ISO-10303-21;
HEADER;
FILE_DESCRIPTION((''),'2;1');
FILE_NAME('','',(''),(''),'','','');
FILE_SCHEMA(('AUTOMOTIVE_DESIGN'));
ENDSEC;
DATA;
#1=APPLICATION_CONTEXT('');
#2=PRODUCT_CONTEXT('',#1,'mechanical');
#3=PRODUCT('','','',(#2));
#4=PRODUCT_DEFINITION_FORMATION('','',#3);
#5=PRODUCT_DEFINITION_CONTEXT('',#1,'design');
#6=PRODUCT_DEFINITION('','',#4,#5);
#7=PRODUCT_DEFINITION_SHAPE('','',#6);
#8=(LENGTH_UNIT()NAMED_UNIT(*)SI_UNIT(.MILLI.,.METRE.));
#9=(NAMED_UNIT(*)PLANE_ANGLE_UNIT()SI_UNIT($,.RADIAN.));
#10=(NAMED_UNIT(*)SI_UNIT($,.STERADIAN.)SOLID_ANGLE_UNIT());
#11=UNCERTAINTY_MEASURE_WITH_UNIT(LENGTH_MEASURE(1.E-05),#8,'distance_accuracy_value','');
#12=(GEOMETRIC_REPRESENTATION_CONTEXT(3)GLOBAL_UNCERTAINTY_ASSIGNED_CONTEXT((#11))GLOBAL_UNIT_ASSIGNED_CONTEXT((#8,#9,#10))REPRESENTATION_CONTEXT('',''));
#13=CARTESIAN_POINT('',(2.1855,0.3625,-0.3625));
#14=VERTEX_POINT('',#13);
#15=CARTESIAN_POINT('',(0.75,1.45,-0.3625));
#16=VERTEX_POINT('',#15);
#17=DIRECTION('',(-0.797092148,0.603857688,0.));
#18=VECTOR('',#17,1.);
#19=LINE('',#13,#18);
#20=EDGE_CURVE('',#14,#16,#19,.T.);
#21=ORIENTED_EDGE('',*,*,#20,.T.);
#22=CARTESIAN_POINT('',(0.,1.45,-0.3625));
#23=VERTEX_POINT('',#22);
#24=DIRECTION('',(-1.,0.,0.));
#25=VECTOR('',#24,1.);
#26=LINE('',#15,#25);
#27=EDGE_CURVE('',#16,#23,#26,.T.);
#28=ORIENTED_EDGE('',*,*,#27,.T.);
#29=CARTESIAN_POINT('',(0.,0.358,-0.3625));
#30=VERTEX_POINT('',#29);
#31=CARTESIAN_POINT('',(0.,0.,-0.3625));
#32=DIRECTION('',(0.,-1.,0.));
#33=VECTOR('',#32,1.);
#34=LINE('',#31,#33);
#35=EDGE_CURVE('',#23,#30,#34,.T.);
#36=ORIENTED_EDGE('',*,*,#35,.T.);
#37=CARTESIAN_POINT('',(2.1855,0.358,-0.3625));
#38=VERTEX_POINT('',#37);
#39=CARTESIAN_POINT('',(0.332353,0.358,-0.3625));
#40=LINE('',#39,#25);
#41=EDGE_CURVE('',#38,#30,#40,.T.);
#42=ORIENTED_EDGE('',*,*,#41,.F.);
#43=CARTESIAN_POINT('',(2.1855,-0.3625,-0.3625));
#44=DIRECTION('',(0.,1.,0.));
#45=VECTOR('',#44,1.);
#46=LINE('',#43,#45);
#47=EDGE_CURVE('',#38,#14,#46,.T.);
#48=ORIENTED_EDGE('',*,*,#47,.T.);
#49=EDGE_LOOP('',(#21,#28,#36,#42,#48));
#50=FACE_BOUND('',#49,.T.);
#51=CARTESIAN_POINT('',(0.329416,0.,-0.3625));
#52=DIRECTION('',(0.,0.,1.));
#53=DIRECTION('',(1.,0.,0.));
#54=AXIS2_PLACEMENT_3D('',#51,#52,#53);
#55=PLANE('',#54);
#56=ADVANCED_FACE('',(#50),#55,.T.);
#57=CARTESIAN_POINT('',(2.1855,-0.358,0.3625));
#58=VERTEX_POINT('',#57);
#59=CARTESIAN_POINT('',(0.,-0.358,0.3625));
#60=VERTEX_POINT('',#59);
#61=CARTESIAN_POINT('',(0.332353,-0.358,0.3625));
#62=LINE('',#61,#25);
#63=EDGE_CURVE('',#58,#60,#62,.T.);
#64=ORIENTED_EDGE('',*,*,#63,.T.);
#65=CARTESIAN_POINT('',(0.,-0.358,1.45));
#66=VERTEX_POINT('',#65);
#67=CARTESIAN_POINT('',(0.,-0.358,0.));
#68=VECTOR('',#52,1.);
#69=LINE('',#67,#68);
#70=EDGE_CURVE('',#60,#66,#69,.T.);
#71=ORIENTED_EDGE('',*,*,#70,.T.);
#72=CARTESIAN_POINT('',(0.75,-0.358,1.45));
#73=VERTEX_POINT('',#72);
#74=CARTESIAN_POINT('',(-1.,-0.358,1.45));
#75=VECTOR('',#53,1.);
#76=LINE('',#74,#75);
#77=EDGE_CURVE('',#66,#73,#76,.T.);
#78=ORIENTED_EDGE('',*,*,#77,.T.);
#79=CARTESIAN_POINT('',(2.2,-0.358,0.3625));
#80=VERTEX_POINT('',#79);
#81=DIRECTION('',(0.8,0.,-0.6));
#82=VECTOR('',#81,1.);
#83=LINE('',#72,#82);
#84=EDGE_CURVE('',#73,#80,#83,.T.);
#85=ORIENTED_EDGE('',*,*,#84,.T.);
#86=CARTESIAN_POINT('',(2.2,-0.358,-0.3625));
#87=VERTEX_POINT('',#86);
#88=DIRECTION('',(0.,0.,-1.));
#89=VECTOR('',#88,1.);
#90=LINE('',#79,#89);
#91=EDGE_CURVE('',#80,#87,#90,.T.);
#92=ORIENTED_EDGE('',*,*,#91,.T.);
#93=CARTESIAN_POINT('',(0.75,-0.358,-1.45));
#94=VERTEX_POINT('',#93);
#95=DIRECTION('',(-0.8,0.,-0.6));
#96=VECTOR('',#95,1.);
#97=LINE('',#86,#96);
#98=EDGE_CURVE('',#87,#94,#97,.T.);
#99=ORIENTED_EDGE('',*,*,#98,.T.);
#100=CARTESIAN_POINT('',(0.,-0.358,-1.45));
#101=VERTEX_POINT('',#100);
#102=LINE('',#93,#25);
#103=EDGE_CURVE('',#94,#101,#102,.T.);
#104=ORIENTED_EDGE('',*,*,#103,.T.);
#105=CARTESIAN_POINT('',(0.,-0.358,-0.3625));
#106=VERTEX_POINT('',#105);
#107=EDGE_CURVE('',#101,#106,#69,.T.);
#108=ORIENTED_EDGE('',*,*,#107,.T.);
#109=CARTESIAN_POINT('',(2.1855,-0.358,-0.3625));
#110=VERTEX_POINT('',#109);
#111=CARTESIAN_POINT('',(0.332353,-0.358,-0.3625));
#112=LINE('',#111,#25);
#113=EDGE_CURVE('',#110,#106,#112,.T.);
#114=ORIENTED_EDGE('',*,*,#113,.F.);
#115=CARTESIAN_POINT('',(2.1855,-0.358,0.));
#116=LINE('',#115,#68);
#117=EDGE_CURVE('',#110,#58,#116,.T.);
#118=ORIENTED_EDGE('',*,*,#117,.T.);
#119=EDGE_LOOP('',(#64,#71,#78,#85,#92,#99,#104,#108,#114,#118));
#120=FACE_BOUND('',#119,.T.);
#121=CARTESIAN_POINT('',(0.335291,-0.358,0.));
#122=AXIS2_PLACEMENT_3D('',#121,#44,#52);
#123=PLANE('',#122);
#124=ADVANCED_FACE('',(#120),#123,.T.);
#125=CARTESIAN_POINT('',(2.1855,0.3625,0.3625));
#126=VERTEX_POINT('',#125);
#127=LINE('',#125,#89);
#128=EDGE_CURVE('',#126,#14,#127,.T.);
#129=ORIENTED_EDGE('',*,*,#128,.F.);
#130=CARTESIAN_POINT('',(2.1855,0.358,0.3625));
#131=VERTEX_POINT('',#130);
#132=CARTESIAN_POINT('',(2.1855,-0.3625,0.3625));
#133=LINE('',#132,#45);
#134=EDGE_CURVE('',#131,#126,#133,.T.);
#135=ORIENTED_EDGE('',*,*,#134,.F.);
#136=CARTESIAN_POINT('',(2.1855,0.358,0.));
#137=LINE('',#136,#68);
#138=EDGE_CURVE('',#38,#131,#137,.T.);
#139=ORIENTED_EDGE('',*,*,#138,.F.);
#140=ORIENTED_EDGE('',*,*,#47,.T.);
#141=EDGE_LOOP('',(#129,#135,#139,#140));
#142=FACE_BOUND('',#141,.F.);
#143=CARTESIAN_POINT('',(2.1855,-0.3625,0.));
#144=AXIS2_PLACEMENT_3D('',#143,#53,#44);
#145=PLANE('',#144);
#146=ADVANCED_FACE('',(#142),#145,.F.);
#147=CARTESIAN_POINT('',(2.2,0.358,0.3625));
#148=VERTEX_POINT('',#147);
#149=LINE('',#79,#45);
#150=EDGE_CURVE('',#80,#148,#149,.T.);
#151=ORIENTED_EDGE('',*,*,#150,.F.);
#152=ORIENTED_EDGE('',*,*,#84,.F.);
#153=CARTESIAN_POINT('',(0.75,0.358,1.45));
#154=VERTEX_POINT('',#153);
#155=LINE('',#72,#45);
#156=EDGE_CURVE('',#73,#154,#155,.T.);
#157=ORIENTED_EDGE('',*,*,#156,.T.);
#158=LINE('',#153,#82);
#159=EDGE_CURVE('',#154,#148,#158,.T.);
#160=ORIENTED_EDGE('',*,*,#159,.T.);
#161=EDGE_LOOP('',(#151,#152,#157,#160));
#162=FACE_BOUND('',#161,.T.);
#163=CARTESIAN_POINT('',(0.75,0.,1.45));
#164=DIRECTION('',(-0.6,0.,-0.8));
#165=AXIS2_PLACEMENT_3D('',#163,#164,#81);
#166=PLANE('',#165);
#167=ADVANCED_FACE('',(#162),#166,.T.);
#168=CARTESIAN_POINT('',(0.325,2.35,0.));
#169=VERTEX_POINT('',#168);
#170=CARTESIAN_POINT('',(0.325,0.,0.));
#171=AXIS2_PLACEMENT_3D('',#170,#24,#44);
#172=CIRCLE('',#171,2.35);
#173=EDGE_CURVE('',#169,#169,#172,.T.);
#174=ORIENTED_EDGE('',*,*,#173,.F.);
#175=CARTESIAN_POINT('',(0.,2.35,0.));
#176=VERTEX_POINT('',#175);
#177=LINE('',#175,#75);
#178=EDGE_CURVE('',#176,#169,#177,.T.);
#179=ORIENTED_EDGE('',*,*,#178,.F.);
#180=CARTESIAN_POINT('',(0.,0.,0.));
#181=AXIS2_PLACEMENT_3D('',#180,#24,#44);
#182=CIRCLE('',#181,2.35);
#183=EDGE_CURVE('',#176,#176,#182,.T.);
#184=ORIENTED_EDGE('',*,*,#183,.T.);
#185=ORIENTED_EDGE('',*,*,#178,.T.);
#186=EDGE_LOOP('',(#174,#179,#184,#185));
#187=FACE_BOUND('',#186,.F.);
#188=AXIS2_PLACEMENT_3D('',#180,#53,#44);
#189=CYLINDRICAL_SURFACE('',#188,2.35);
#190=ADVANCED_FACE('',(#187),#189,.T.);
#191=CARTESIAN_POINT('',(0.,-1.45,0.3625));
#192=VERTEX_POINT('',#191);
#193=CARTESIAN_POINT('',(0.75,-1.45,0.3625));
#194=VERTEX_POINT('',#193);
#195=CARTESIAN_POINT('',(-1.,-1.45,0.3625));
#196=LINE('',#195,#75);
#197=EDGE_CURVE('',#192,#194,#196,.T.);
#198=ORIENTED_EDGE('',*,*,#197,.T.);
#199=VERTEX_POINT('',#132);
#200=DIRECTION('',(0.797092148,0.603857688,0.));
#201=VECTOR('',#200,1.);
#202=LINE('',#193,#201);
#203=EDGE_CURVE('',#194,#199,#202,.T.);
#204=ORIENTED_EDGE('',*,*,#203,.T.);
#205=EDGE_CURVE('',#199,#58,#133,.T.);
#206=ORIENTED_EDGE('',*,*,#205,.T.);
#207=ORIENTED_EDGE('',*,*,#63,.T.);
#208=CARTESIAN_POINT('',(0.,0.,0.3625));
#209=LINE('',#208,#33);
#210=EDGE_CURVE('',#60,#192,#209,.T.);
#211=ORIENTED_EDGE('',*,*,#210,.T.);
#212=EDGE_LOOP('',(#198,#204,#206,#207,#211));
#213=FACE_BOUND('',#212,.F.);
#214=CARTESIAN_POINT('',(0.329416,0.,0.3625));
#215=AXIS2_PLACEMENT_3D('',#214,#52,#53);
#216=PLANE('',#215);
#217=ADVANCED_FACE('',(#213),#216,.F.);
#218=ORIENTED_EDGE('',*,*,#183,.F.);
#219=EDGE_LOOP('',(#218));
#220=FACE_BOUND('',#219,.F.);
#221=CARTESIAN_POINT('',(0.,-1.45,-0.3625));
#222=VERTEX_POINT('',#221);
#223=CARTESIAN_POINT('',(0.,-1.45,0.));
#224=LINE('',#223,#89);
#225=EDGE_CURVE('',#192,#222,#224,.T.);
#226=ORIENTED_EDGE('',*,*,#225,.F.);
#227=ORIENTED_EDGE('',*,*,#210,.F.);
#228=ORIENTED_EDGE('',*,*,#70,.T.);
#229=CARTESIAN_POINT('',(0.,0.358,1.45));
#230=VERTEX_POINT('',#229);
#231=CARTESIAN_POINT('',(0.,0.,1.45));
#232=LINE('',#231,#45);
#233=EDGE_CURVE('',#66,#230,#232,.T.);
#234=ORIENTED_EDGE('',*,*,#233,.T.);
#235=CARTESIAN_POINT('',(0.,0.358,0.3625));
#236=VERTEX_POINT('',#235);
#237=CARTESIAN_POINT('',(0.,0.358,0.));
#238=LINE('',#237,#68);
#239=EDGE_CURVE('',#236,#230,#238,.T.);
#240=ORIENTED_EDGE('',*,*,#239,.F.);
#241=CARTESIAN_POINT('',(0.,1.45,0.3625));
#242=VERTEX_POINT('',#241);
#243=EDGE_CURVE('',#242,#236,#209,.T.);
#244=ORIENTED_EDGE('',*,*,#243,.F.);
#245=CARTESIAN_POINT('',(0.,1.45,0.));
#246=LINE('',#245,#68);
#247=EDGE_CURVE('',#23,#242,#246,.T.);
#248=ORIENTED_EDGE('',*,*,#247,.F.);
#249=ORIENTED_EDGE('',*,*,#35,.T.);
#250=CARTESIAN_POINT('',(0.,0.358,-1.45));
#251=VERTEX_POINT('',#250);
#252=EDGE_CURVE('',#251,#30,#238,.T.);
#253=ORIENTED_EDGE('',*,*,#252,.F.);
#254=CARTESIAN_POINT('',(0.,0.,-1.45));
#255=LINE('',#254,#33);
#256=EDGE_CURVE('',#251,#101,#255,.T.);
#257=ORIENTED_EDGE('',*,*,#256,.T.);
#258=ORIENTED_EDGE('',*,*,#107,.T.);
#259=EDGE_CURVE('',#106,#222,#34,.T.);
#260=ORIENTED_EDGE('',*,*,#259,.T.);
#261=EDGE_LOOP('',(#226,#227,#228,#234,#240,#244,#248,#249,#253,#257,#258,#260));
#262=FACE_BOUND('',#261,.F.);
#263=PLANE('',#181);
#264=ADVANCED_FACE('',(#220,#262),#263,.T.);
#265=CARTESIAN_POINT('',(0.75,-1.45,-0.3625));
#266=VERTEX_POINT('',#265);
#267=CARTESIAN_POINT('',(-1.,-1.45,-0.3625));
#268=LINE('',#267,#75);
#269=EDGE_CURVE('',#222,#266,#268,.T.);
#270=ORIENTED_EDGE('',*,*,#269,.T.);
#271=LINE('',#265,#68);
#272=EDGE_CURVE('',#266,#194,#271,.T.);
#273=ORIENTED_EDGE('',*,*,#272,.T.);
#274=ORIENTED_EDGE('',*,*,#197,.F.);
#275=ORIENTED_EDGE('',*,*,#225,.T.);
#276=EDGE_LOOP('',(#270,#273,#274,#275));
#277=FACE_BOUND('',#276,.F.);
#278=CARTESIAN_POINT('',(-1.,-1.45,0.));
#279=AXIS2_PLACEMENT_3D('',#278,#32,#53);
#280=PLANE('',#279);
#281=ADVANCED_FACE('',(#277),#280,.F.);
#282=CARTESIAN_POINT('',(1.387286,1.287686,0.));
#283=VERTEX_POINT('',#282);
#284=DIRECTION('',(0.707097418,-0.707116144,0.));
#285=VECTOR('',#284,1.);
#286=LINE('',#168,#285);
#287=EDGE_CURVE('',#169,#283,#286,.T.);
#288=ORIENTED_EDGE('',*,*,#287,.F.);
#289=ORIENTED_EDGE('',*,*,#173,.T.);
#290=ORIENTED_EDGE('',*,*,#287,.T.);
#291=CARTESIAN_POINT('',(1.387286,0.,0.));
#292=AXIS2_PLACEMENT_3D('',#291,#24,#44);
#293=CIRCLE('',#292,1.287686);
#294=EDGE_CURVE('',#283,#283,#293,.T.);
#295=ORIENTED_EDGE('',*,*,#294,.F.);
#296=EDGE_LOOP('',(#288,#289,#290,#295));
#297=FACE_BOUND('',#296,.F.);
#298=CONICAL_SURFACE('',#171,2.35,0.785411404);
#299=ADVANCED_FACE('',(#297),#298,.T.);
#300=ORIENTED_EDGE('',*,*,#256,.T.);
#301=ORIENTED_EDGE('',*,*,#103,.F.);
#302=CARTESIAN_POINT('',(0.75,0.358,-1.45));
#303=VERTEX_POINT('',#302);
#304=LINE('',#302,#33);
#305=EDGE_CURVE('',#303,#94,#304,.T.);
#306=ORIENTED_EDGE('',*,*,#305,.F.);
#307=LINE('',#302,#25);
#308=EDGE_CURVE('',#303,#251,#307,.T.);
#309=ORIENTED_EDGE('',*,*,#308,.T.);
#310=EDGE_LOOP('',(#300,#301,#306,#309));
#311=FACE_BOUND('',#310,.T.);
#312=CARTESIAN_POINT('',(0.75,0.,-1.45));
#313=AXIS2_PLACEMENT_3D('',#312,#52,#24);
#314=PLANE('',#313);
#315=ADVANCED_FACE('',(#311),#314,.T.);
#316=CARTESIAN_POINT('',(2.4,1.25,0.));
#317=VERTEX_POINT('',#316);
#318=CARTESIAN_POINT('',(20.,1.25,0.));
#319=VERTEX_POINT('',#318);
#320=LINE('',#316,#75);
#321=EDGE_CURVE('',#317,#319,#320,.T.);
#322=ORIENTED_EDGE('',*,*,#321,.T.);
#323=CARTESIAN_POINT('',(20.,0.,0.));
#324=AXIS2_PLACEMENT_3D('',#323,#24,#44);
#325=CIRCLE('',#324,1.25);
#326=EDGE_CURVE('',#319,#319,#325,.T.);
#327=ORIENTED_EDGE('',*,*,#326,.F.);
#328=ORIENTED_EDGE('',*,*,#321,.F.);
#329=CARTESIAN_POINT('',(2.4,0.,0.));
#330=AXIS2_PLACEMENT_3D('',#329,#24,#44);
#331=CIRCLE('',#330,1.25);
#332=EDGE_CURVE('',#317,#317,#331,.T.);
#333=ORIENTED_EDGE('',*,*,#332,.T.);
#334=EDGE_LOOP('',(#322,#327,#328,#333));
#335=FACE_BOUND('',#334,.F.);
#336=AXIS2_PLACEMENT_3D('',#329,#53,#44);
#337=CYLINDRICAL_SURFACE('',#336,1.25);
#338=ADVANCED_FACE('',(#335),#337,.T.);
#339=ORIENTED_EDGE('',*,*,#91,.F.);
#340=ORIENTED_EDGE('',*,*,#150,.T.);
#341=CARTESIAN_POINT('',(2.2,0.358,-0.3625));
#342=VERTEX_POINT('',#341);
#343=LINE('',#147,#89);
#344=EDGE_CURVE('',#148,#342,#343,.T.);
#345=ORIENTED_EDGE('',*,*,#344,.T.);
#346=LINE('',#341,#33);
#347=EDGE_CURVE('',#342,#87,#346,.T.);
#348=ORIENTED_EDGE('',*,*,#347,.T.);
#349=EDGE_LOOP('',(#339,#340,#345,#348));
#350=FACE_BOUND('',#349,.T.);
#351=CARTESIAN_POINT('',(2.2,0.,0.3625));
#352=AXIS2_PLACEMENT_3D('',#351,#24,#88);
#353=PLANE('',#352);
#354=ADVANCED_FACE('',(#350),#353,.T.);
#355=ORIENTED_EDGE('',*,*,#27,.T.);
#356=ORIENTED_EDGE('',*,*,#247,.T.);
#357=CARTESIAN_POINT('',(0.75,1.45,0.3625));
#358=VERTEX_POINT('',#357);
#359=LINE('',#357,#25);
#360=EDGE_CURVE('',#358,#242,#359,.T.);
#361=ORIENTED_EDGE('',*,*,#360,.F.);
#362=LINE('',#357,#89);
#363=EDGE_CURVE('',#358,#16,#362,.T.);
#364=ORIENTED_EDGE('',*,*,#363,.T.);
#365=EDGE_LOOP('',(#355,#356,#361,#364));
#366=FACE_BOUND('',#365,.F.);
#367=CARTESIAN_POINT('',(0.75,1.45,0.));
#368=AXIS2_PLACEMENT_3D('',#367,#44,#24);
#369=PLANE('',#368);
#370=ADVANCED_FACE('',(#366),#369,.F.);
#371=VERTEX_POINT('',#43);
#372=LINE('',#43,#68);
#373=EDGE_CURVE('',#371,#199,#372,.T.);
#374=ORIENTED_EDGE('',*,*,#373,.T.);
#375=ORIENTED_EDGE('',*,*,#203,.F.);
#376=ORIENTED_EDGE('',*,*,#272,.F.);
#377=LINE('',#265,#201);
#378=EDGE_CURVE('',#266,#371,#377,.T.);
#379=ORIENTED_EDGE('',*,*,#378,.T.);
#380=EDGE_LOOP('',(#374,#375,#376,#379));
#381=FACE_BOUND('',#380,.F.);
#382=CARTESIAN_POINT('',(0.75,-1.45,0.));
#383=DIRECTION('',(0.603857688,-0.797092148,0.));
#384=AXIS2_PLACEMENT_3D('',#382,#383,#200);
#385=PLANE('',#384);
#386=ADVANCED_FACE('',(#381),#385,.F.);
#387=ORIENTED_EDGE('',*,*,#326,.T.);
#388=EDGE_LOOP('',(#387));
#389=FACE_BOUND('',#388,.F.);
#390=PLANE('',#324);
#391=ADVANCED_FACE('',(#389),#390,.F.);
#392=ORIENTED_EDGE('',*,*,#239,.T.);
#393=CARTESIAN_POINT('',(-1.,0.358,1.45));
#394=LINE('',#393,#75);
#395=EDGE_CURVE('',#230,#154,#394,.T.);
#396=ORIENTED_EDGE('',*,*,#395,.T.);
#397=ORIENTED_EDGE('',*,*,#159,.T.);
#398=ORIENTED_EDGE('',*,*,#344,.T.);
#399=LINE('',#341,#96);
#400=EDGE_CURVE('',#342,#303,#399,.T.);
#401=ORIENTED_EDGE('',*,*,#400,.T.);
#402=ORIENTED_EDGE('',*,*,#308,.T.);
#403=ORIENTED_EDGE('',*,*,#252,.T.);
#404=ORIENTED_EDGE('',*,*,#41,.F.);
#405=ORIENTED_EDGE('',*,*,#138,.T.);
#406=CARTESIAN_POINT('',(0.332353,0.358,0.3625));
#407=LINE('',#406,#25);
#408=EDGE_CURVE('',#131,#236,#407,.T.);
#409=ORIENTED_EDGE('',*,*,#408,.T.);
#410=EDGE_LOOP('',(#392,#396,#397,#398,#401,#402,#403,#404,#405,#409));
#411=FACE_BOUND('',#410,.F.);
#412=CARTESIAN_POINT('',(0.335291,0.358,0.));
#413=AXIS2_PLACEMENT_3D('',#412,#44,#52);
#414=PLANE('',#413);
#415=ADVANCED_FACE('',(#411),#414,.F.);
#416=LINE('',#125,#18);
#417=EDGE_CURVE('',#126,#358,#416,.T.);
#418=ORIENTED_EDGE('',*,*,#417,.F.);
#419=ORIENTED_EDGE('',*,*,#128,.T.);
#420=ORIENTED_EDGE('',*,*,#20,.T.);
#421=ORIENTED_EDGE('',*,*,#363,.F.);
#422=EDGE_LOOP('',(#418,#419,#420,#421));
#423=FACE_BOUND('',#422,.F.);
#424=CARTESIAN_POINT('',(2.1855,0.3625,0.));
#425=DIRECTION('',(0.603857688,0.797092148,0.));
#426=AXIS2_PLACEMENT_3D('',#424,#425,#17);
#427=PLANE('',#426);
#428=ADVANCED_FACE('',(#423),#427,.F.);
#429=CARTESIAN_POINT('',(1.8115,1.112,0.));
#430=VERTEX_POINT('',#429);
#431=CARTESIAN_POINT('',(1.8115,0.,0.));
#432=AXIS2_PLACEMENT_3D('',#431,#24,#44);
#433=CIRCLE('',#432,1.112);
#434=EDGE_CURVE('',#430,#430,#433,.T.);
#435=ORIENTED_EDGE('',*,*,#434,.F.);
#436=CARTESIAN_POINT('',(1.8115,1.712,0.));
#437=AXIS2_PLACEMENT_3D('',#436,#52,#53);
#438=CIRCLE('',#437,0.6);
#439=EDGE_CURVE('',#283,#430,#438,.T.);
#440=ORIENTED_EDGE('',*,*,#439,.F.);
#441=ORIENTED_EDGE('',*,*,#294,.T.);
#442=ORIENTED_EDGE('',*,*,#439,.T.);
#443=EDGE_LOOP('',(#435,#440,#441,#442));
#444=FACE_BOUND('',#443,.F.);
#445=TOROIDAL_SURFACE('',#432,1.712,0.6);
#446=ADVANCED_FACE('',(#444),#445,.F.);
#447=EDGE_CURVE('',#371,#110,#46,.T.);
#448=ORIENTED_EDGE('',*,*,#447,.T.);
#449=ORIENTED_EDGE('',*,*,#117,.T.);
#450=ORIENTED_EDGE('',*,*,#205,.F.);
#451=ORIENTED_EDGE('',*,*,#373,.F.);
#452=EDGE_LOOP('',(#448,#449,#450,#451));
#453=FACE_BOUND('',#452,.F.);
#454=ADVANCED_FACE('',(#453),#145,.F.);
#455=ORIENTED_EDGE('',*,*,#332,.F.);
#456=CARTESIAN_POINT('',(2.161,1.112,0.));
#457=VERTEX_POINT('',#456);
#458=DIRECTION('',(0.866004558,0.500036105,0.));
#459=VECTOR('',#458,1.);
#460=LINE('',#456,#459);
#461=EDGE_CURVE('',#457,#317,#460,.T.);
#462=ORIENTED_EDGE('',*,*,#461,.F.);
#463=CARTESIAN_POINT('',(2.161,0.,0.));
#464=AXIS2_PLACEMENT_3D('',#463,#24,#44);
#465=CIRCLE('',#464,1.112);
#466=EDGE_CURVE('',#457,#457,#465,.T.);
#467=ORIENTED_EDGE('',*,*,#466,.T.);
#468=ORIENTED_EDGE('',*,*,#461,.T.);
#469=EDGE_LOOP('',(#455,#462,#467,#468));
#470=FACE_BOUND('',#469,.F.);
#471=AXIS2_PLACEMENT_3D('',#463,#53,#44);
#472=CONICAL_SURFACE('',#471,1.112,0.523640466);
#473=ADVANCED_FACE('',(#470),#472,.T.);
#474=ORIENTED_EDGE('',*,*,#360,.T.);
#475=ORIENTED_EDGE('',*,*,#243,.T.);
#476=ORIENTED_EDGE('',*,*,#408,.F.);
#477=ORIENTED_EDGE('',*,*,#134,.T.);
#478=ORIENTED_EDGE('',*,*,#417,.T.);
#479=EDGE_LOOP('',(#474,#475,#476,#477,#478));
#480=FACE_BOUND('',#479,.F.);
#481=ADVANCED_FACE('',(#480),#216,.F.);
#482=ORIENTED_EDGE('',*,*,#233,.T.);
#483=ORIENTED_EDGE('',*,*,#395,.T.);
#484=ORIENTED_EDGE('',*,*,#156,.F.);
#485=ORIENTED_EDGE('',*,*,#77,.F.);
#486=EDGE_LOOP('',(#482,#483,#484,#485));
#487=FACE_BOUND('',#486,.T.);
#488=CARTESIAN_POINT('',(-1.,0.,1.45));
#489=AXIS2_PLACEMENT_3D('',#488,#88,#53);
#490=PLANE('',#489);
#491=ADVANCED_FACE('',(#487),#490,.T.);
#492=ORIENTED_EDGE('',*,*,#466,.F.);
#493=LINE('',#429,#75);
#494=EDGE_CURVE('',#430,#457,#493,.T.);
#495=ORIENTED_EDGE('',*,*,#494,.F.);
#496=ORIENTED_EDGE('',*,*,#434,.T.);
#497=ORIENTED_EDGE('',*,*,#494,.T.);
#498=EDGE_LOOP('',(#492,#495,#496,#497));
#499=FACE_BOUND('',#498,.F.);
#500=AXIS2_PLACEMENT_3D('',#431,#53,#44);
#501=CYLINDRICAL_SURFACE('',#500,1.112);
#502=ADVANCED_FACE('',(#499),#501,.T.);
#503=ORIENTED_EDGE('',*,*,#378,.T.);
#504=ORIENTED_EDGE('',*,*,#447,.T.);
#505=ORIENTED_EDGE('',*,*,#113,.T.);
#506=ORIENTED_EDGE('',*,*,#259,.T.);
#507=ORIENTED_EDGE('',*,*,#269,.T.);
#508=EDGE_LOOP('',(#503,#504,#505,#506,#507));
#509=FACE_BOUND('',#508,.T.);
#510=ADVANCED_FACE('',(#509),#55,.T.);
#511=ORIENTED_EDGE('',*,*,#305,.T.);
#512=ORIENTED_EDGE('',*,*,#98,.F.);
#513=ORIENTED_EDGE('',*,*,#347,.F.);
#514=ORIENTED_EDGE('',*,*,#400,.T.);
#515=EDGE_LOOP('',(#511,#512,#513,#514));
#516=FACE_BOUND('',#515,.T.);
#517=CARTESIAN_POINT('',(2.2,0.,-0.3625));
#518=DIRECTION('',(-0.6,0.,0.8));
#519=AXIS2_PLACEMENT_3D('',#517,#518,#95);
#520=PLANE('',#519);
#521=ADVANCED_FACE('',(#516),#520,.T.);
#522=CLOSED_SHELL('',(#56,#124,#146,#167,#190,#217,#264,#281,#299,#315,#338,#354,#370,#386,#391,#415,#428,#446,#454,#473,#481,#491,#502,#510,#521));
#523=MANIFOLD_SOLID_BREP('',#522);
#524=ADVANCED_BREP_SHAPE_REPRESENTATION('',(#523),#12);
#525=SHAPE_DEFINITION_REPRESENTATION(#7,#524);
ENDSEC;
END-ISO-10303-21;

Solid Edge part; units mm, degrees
sketch "Sketch1" plane through (0, 0, 0) normal (0, 0, 1) x (1, 0, 0)
  line L0 (0, 0) -> (0, 2.35)
  line L1 (0, 2.35) -> (0.325, 2.35)
  line L2 (0.325, 2.35) -> (1.3873, 1.2877)
  arc A0 (1.3873, 1.2877) -> (1.8115, 1.112) centre (1.8115, 1.712) ccw
  line L3 (1.8115, 1.112) -> (2.161, 1.112)
  line L4 (2.161, 1.112) -> (2.4, 1.25)
  line L5 (2.4, 1.25) -> (20, 1.25)
  line L6 (20, 1.25) -> (20, 0)
  line L7 (20, 0) -> (0, 0)
revolve "RevolvedProtrusion1" add sketch "Sketch1" angle 360 about axis through (20, 0, 0) along (-1, 0, 0)
sketch "Sketch2" plane through (0, 0, 0) normal (0, 0, 1) x (1, 0, 0)
  line L0 (-1, 1.45) -> (-1, -1.45)
  line L1 (-1, -1.45) -> (0.75, -1.45)
  line L2 (0.75, -1.45) -> (2.1855, -0.3625)
  line L3 (2.1855, -0.3625) -> (2.1855, 0.3625)
  line L4 (2.1855, 0.3625) -> (0.75, 1.45)
  line L5 (0.75, 1.45) -> (-1, 1.45)
extrude "ExtrudedCutout_1" cut sketch "Sketch2" against normal blind 0.3625 and the other way blind 0.3625
sketch "Sketch3" plane through (0, 0, 0) normal (0, -1, 0) x (1, 0, 0)
  line L0 (-1, -1.45) -> (-1, 1.45)
  line L1 (-1, 1.45) -> (0.75, 1.45)
  line L2 (0.75, 1.45) -> (2.2, 0.3625)
  line L3 (2.2, 0.3625) -> (2.2, -0.3625)
  line L4 (2.2, -0.3625) -> (0.75, -1.45)
  line L5 (0.75, -1.45) -> (-1, -1.45)
extrude "ExtrudedCutout_2" cut sketch "Sketch3" against normal blind 0.358 and the other way blind 0.358
properties part number "SFS FN 406 283597 Senkschraube ISO 7046-1 Stahl 4.8 verzinkt blau M2.5x20-H"
